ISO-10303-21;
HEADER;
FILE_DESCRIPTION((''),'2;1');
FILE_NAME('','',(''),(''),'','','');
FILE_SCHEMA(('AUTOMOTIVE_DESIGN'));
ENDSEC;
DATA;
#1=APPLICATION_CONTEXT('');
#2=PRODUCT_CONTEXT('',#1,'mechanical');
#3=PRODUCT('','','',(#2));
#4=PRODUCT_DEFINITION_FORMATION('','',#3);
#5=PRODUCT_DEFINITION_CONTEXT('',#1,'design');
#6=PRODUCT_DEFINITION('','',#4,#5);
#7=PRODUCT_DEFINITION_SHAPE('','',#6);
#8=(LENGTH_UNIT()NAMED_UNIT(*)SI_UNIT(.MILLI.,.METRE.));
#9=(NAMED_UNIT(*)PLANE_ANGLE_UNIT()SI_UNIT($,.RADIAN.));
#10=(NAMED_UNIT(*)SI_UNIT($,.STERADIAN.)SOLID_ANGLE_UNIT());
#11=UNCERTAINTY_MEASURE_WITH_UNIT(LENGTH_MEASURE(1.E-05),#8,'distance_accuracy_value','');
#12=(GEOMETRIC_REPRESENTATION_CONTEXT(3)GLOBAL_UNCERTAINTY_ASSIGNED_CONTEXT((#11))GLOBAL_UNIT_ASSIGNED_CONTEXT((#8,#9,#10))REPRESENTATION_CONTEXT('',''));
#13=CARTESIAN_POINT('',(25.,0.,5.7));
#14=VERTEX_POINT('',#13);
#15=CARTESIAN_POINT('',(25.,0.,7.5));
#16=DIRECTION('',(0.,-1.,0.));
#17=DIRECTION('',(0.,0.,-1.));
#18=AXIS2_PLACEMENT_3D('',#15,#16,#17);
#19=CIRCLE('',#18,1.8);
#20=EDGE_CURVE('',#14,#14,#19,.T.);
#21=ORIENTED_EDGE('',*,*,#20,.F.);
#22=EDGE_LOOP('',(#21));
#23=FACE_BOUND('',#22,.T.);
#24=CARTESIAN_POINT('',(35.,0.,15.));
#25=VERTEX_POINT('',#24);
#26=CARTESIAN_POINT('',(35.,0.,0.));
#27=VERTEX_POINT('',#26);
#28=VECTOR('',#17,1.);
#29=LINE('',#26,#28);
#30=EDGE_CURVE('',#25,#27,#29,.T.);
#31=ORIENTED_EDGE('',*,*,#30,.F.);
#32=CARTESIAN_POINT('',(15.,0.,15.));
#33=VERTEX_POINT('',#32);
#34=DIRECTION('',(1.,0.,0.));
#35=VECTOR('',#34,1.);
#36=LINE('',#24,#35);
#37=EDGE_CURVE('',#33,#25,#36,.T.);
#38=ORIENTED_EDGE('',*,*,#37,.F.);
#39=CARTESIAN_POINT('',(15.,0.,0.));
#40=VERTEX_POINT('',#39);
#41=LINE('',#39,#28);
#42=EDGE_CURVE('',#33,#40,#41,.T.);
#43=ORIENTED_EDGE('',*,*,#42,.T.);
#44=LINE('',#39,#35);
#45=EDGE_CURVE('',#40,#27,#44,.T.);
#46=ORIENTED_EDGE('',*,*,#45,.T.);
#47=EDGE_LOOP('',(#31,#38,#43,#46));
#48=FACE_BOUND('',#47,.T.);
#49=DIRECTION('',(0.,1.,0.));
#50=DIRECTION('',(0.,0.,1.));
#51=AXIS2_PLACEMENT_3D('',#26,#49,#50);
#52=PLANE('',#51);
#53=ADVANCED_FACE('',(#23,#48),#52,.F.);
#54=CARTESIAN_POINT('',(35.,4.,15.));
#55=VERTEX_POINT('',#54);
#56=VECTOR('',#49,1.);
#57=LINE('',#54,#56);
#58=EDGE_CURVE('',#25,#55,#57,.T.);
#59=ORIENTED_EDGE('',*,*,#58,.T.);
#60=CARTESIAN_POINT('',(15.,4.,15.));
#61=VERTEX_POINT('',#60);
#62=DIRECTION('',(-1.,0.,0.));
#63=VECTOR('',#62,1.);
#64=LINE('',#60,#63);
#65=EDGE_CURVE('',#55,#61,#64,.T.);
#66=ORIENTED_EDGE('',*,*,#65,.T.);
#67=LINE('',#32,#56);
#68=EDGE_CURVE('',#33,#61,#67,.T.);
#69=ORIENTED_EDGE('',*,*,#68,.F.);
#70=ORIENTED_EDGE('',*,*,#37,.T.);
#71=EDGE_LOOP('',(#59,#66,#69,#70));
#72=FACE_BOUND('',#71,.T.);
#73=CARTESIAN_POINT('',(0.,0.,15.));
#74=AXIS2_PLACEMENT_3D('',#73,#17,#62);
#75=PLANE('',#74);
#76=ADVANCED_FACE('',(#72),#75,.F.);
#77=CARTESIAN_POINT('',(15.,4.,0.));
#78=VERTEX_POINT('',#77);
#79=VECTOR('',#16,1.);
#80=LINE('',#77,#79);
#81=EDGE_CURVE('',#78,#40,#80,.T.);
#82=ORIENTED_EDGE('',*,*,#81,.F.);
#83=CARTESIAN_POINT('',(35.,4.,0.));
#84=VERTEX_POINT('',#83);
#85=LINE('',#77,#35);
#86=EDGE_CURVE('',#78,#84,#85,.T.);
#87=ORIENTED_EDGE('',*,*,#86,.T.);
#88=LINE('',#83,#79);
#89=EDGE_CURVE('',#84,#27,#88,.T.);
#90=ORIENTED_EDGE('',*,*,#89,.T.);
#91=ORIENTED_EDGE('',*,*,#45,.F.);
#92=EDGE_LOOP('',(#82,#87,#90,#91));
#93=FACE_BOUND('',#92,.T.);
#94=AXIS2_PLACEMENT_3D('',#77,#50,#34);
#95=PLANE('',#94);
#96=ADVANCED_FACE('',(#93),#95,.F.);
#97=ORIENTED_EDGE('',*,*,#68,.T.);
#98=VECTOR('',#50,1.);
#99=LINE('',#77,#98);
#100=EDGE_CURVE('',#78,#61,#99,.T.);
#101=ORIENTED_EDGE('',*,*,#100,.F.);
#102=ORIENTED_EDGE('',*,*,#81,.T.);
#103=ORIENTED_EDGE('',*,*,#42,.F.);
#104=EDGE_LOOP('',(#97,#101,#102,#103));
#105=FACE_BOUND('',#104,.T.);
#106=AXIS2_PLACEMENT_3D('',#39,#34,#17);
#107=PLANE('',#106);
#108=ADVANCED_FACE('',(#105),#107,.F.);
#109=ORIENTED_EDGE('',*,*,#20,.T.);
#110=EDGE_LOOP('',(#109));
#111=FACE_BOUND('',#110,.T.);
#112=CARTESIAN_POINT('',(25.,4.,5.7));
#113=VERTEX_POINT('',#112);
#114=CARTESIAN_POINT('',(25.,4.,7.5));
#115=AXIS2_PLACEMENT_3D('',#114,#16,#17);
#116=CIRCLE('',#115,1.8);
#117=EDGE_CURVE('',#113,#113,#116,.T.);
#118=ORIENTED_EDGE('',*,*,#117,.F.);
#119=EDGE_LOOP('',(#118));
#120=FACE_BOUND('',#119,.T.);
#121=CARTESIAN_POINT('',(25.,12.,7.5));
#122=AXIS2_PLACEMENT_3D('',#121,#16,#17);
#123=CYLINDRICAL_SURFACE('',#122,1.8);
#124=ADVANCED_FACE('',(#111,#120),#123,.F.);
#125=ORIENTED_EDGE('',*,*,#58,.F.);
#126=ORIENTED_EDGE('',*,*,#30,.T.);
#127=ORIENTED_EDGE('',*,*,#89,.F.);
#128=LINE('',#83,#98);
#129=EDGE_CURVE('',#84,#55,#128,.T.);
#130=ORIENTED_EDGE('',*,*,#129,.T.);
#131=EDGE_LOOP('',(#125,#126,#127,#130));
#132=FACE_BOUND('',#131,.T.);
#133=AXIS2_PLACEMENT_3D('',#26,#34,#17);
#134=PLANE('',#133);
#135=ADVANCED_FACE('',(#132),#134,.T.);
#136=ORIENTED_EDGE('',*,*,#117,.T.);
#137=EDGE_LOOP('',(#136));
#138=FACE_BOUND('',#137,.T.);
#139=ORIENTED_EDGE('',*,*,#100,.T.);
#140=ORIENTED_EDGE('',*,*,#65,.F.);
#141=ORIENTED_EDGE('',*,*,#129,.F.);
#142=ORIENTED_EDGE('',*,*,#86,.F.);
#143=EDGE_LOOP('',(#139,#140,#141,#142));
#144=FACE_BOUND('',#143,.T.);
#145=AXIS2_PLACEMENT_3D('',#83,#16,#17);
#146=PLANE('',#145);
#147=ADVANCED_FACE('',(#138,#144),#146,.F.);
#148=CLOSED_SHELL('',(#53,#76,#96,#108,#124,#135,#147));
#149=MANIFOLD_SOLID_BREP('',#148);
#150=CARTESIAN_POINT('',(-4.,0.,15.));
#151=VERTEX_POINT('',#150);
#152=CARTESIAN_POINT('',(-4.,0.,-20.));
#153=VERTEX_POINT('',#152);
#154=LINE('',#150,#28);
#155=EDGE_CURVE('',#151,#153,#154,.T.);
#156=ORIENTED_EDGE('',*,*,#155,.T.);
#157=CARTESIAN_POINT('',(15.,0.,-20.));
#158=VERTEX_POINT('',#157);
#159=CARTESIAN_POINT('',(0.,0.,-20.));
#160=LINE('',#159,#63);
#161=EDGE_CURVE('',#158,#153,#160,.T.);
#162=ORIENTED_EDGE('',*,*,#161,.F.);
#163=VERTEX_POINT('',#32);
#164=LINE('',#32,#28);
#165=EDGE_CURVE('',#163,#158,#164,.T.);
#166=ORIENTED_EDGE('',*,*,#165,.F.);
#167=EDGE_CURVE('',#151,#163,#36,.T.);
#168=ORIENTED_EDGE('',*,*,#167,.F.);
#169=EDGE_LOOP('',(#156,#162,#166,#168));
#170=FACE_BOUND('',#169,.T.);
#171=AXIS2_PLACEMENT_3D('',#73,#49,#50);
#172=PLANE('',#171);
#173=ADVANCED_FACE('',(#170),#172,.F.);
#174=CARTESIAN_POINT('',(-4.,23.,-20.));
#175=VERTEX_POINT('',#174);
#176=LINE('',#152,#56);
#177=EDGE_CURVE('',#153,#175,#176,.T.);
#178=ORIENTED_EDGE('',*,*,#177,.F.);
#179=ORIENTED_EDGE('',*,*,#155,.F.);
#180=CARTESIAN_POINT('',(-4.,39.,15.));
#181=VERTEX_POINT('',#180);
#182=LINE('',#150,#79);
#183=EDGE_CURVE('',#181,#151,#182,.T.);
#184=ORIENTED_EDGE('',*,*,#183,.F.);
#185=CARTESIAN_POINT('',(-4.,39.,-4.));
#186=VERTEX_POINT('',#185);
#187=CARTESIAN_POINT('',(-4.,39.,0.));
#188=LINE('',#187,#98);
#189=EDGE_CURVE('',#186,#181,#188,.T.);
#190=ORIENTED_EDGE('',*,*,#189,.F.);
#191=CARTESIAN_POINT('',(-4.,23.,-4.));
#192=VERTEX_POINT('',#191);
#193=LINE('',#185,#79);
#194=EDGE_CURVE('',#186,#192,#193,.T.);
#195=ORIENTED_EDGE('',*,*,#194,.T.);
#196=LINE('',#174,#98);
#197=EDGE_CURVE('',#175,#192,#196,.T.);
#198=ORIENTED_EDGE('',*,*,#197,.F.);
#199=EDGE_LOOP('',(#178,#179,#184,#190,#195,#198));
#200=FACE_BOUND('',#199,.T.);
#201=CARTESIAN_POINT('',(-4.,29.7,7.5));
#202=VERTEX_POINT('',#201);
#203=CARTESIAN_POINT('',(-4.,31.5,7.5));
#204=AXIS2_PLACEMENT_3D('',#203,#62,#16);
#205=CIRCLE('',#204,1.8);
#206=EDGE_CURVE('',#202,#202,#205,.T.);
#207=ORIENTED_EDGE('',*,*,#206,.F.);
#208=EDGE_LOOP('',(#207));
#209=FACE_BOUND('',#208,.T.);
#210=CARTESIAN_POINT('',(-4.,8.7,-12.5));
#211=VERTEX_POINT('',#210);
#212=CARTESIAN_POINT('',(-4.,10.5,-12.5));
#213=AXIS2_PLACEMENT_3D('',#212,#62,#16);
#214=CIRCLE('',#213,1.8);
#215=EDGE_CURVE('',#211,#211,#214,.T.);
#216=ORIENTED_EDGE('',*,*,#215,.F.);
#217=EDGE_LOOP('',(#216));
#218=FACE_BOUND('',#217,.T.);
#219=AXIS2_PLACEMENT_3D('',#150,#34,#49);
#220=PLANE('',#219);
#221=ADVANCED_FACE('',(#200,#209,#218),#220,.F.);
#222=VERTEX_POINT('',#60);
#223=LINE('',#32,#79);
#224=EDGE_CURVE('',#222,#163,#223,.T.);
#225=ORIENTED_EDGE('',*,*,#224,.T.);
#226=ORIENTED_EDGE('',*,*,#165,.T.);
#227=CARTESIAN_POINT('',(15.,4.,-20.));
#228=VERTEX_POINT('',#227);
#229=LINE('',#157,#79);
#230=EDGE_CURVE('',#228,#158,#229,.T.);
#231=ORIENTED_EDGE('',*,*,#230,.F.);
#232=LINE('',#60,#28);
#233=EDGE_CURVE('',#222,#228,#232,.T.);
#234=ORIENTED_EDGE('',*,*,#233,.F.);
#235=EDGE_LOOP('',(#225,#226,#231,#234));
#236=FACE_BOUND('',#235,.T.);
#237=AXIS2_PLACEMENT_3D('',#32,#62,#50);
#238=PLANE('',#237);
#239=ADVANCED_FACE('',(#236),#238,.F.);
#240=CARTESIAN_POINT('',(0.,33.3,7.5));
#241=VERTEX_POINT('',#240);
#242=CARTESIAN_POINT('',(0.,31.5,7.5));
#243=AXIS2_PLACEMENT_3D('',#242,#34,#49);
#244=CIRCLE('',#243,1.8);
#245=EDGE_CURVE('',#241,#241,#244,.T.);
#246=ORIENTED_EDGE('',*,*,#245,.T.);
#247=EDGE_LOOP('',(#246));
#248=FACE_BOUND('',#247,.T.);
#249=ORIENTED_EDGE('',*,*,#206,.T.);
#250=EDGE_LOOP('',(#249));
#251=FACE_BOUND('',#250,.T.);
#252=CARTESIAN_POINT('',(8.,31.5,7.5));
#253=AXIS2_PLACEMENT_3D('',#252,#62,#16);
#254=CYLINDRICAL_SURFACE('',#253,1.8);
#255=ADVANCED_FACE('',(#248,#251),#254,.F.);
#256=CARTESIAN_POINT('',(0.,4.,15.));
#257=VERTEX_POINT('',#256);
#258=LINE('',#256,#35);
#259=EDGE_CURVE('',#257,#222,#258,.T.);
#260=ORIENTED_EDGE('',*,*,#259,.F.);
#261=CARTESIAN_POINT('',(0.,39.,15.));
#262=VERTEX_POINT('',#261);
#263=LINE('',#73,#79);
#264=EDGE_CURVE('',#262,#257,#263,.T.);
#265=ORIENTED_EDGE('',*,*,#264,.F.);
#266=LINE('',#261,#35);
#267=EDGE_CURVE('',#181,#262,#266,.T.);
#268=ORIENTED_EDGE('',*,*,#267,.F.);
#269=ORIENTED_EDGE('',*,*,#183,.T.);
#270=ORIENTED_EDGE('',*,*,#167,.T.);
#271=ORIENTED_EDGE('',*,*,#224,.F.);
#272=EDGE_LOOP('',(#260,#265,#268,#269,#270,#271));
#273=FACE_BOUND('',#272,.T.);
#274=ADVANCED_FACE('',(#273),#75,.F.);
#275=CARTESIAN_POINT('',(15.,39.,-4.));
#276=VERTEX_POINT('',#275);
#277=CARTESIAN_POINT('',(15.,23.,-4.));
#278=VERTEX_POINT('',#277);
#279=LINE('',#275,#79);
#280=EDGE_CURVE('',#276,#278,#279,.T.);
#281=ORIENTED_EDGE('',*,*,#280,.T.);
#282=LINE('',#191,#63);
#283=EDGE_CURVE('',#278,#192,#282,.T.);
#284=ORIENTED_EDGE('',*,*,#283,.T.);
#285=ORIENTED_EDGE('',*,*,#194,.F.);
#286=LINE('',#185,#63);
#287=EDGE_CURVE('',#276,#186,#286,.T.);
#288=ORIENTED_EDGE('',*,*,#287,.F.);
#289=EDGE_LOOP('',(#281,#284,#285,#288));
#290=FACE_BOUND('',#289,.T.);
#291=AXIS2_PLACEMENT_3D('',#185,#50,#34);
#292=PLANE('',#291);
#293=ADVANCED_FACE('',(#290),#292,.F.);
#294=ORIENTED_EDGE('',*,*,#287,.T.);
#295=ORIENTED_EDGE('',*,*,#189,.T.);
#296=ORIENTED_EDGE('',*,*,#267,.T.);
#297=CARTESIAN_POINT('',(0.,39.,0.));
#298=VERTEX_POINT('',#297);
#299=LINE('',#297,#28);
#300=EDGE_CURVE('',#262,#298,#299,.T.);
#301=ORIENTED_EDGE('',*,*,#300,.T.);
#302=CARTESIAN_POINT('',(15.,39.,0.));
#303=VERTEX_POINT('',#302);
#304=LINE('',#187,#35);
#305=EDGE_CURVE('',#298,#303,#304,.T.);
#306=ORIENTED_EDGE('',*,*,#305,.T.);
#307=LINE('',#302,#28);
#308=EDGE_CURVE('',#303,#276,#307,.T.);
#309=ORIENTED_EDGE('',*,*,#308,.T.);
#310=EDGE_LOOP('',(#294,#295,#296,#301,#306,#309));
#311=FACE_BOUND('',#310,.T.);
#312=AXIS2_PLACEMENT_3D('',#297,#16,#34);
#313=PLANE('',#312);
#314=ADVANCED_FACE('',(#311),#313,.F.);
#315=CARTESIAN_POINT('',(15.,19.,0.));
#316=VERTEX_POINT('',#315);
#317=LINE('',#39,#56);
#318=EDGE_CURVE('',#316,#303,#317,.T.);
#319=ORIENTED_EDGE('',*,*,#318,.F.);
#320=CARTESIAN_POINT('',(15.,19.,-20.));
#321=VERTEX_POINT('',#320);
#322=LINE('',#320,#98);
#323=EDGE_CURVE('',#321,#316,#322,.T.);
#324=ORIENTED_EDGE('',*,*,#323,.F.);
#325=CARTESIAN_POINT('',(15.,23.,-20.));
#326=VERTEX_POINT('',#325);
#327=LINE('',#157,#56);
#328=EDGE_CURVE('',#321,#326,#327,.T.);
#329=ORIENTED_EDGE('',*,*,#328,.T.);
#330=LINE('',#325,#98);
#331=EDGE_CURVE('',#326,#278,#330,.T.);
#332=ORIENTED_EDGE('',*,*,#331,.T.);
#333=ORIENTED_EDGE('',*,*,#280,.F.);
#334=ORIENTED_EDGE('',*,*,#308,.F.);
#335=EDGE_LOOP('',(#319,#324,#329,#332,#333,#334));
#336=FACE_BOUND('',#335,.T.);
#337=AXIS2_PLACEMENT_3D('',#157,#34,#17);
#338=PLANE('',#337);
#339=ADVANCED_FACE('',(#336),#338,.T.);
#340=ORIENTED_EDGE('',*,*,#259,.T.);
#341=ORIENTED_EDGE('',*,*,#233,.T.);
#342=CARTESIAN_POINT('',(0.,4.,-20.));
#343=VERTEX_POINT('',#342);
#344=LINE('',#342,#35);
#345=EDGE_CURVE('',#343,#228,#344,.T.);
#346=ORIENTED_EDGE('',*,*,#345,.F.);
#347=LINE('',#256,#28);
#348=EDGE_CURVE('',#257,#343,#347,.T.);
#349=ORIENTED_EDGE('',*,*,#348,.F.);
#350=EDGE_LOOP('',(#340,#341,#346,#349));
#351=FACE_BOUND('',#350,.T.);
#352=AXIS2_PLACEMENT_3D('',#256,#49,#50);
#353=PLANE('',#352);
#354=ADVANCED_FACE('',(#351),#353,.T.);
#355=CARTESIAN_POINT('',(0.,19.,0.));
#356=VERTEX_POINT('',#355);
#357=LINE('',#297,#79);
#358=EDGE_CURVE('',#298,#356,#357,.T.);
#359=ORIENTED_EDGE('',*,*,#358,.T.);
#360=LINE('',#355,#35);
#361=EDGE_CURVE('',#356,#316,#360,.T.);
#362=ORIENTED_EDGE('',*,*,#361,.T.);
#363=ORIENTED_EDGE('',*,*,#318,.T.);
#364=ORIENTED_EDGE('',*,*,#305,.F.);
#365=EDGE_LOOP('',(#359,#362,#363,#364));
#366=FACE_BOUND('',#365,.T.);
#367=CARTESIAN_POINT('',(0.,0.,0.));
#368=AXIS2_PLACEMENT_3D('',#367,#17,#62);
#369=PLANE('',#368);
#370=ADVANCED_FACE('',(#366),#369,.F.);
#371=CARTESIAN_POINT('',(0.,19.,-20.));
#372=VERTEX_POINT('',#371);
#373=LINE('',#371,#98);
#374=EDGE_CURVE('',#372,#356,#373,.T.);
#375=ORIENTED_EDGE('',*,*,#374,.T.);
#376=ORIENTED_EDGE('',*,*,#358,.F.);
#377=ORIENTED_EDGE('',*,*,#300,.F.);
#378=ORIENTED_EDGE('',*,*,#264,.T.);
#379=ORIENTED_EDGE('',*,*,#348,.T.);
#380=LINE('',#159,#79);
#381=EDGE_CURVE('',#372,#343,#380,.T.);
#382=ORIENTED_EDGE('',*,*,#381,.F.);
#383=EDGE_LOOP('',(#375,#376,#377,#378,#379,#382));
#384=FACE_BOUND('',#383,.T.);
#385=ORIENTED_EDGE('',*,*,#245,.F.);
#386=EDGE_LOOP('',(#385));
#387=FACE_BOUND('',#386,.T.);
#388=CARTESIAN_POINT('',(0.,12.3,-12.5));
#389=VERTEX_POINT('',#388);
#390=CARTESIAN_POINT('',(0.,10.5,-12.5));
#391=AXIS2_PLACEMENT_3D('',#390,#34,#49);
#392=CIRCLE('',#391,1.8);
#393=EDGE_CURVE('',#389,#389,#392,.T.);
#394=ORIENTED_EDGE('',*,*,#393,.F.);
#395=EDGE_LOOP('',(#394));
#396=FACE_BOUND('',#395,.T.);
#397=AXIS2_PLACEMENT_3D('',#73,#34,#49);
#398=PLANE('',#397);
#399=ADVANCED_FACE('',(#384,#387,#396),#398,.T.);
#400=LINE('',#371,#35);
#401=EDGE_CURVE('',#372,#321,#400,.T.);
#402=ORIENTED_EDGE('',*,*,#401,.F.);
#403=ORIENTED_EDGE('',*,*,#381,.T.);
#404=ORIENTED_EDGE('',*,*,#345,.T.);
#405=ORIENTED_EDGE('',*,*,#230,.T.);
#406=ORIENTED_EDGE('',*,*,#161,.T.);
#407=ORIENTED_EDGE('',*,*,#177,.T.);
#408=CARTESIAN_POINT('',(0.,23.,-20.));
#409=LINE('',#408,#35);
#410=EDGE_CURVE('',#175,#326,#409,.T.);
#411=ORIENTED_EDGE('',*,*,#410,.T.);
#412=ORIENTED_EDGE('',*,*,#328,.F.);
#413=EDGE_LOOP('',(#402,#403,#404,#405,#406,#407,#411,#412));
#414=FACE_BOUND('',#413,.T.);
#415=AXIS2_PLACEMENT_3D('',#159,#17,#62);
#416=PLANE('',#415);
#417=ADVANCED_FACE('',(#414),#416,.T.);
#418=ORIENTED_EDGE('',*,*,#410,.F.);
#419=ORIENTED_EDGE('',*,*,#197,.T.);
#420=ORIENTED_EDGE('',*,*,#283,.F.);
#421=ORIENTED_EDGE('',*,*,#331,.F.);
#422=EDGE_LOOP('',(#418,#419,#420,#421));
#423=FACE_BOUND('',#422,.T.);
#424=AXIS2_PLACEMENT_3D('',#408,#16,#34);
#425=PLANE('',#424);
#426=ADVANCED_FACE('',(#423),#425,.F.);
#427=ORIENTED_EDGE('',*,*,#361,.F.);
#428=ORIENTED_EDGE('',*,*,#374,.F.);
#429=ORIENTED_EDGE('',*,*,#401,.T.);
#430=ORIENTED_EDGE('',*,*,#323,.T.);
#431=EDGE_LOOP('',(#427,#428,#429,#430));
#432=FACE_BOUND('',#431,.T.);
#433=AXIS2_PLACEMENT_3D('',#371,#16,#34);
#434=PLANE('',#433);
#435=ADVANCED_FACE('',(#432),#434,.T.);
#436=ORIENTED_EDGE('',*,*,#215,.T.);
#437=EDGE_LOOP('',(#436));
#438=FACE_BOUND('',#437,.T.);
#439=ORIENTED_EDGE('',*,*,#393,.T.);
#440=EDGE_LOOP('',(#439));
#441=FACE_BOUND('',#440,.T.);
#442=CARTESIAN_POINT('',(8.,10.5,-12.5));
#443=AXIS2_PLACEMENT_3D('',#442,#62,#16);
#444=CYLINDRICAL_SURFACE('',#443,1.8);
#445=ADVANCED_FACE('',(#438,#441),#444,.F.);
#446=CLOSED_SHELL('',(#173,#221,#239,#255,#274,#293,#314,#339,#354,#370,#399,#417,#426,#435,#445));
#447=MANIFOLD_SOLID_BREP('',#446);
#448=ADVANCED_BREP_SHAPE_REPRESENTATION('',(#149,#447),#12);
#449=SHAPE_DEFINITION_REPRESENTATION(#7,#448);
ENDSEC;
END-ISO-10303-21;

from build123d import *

# Parameters (mm, degrees)
SKETCH_1_W          = 4
SKETCH_1_H          = 19
SKETCH_1_W_2        = 15
SKETCH_1_H_2        = 4
EXTRUDE_1_DEPTH     = 15
SKETCH_2_W          = 19
SKETCH_2_H          = 19
EXTRUDE_2_DEPTH     = 4
EXTRUDE_3_DEPTH     = 20
EXTRUDE_5_DEPTH     = 20
EXTRUDE_6_DEPTH     = 20
SKETCH_7_W          = 19
SKETCH_7_H          = 4
EXTRUDE_7_DEPTH     = 16
SKETCH_8_R          = 1.8
CUT_EXTRUDE_1_DEPTH = 12
SKETCH_9_R          = 1.8
CUT_EXTRUDE_2_DEPTH = 12
SKETCH1_W           = 4
SKETCH1_H           = 15
SKETCH1_W_2         = 4.010548523
SKETCH1_H_2         = 14
CUT_EXTRUDE2_DEPTH  = 20
SKETCH2_W           = 4
SKETCH2_H           = 4
CUT_EXTRUDE3_DEPTH  = 20
CUT_EXTRUDE4_DEPTH  = 4


with BuildPart() as part:
    # 草图1 → 凸台-拉伸1 (new body)
    with BuildSketch(Plane.XY):
        with Locations((-2, 9.5)):
            Rectangle(SKETCH_1_W, SKETCH_1_H)
        with Locations((7.5, 2)):
            Rectangle(SKETCH_1_W_2, SKETCH_1_H_2)
    extrude(amount=EXTRUDE_1_DEPTH)

    # 草图2 → 凸台-拉伸2 (add)
    with BuildSketch(Plane.XY.offset(15)):
        with Locations((5.5, 9.5)):
            Rectangle(SKETCH_2_W, SKETCH_2_H)
    extrude(amount=EXTRUDE_2_DEPTH)

    # 草图3 → 凸台-拉伸3 (add)
    with BuildSketch(Plane(origin=(0, 0, 0), x_dir=(-1, 0, 0), z_dir=(0, 0, -1))):
        Polygon((-15, 19), (0, 19), (0, 4), (-15, 4), (-15, 0), (4, 0), (4, 23), (-15, 23), align=None)
    extrude(amount=EXTRUDE_3_DEPTH)



with BuildPart() as body_2:
    # 草图5 → 凸台-拉伸5 (new body)
    with BuildSketch(Plane(origin=(15, 0, 0), x_dir=(0, 0, -1), z_dir=(1, 0, 0))):
        Polygon((-19, 0), (-15, 0), (0, 0), (4, 0), (4, 18), (0, 18), (0, 4), (-15, 4), (-15, 19), (-19, 19), align=None)
    extrude(amount=EXTRUDE_5_DEPTH)

    # 草图9 → 切除-拉伸2 (cut)
    with BuildSketch(Plane.XZ):
        with Locations((25, 7.5)):
            Circle(SKETCH_9_R)
    extrude(amount=-CUT_EXTRUDE_2_DEPTH, mode=Mode.SUBTRACT)

    # Sketch1 → Cut-Extrude2 (cut)
    with BuildSketch(Plane(origin=(35, 0, 0), x_dir=(0, 0, -1), z_dir=(1, 0, 0))):
        with Locations((-17, 11.5)):
            Rectangle(SKETCH1_W, SKETCH1_H)
        with Locations((2.005274262, 11)):
            Rectangle(SKETCH1_W_2, SKETCH1_H_2)
    extrude(amount=-CUT_EXTRUDE2_DEPTH, mode=Mode.SUBTRACT)

    # Sketch2 → Cut-Extrude3 (cut)
    with BuildSketch(Plane(origin=(35, 0, 0), x_dir=(0, 0, -1), z_dir=(1, 0, 0))):
        with Locations((2, 2)):
            Rectangle(SKETCH2_W, SKETCH2_H)
    extrude(amount=-CUT_EXTRUDE3_DEPTH, mode=Mode.SUBTRACT)


with BuildPart() as body_3:
    # 草图6 → 凸台-拉伸6 (new body)
    with BuildSketch(Plane(origin=(0, 19, 0), x_dir=(1, 0, 0), z_dir=(0, 1, 0))):
        Polygon((-4, -19), (15, -19), (15, -15), (0, -15), (0, 0), (-4, 0), (-4, -16), align=None)
    extrude(amount=EXTRUDE_6_DEPTH)


with BuildPart() as part_1:
    add(part.part)

    add(body_3.part)  # 凸台-拉伸7 merges body 3
    # 草图7 → 凸台-拉伸7 (add)
    with BuildSketch(Plane(origin=(0, 23, 0), x_dir=(1, 0, 0), z_dir=(0, 1, 0))):
        with Locations((5.5, 2)):
            Rectangle(SKETCH_7_W, SKETCH_7_H)
    extrude(amount=EXTRUDE_7_DEPTH)

    # 草图8 → 切除-拉伸1 (cut)
    with BuildSketch(Plane.ZY.offset(4)):
        with Locations((7.5, 31.5)):
            Circle(SKETCH_8_R)
        with Locations((-12.5, 10.5)):
            Circle(SKETCH_8_R)
    extrude(amount=-CUT_EXTRUDE_1_DEPTH, mode=Mode.SUBTRACT)


with BuildPart() as cut_extrude4_tool:
    # Sketch3 → Cut-Extrude4 (new body)
    with BuildSketch(Plane.XY.offset(19)):
        Polygon((-4, 39), (15, 39), (15, 4), (35, 4), (35, 0), (-4, 0), align=None)
    extrude(amount=-CUT_EXTRUDE4_DEPTH)


with BuildPart() as part_2:
    add(part_1.part)

    # Cut-Extrude4: cut by cut_extrude4_tool
    add(cut_extrude4_tool.part, mode=Mode.SUBTRACT)


with BuildPart() as body_2_1:
    add(body_2.part)

    # Cut-Extrude4: cut by cut_extrude4_tool
    add(cut_extrude4_tool.part, mode=Mode.SUBTRACT)


solid = Compound([part_2.part, body_2_1.part])
